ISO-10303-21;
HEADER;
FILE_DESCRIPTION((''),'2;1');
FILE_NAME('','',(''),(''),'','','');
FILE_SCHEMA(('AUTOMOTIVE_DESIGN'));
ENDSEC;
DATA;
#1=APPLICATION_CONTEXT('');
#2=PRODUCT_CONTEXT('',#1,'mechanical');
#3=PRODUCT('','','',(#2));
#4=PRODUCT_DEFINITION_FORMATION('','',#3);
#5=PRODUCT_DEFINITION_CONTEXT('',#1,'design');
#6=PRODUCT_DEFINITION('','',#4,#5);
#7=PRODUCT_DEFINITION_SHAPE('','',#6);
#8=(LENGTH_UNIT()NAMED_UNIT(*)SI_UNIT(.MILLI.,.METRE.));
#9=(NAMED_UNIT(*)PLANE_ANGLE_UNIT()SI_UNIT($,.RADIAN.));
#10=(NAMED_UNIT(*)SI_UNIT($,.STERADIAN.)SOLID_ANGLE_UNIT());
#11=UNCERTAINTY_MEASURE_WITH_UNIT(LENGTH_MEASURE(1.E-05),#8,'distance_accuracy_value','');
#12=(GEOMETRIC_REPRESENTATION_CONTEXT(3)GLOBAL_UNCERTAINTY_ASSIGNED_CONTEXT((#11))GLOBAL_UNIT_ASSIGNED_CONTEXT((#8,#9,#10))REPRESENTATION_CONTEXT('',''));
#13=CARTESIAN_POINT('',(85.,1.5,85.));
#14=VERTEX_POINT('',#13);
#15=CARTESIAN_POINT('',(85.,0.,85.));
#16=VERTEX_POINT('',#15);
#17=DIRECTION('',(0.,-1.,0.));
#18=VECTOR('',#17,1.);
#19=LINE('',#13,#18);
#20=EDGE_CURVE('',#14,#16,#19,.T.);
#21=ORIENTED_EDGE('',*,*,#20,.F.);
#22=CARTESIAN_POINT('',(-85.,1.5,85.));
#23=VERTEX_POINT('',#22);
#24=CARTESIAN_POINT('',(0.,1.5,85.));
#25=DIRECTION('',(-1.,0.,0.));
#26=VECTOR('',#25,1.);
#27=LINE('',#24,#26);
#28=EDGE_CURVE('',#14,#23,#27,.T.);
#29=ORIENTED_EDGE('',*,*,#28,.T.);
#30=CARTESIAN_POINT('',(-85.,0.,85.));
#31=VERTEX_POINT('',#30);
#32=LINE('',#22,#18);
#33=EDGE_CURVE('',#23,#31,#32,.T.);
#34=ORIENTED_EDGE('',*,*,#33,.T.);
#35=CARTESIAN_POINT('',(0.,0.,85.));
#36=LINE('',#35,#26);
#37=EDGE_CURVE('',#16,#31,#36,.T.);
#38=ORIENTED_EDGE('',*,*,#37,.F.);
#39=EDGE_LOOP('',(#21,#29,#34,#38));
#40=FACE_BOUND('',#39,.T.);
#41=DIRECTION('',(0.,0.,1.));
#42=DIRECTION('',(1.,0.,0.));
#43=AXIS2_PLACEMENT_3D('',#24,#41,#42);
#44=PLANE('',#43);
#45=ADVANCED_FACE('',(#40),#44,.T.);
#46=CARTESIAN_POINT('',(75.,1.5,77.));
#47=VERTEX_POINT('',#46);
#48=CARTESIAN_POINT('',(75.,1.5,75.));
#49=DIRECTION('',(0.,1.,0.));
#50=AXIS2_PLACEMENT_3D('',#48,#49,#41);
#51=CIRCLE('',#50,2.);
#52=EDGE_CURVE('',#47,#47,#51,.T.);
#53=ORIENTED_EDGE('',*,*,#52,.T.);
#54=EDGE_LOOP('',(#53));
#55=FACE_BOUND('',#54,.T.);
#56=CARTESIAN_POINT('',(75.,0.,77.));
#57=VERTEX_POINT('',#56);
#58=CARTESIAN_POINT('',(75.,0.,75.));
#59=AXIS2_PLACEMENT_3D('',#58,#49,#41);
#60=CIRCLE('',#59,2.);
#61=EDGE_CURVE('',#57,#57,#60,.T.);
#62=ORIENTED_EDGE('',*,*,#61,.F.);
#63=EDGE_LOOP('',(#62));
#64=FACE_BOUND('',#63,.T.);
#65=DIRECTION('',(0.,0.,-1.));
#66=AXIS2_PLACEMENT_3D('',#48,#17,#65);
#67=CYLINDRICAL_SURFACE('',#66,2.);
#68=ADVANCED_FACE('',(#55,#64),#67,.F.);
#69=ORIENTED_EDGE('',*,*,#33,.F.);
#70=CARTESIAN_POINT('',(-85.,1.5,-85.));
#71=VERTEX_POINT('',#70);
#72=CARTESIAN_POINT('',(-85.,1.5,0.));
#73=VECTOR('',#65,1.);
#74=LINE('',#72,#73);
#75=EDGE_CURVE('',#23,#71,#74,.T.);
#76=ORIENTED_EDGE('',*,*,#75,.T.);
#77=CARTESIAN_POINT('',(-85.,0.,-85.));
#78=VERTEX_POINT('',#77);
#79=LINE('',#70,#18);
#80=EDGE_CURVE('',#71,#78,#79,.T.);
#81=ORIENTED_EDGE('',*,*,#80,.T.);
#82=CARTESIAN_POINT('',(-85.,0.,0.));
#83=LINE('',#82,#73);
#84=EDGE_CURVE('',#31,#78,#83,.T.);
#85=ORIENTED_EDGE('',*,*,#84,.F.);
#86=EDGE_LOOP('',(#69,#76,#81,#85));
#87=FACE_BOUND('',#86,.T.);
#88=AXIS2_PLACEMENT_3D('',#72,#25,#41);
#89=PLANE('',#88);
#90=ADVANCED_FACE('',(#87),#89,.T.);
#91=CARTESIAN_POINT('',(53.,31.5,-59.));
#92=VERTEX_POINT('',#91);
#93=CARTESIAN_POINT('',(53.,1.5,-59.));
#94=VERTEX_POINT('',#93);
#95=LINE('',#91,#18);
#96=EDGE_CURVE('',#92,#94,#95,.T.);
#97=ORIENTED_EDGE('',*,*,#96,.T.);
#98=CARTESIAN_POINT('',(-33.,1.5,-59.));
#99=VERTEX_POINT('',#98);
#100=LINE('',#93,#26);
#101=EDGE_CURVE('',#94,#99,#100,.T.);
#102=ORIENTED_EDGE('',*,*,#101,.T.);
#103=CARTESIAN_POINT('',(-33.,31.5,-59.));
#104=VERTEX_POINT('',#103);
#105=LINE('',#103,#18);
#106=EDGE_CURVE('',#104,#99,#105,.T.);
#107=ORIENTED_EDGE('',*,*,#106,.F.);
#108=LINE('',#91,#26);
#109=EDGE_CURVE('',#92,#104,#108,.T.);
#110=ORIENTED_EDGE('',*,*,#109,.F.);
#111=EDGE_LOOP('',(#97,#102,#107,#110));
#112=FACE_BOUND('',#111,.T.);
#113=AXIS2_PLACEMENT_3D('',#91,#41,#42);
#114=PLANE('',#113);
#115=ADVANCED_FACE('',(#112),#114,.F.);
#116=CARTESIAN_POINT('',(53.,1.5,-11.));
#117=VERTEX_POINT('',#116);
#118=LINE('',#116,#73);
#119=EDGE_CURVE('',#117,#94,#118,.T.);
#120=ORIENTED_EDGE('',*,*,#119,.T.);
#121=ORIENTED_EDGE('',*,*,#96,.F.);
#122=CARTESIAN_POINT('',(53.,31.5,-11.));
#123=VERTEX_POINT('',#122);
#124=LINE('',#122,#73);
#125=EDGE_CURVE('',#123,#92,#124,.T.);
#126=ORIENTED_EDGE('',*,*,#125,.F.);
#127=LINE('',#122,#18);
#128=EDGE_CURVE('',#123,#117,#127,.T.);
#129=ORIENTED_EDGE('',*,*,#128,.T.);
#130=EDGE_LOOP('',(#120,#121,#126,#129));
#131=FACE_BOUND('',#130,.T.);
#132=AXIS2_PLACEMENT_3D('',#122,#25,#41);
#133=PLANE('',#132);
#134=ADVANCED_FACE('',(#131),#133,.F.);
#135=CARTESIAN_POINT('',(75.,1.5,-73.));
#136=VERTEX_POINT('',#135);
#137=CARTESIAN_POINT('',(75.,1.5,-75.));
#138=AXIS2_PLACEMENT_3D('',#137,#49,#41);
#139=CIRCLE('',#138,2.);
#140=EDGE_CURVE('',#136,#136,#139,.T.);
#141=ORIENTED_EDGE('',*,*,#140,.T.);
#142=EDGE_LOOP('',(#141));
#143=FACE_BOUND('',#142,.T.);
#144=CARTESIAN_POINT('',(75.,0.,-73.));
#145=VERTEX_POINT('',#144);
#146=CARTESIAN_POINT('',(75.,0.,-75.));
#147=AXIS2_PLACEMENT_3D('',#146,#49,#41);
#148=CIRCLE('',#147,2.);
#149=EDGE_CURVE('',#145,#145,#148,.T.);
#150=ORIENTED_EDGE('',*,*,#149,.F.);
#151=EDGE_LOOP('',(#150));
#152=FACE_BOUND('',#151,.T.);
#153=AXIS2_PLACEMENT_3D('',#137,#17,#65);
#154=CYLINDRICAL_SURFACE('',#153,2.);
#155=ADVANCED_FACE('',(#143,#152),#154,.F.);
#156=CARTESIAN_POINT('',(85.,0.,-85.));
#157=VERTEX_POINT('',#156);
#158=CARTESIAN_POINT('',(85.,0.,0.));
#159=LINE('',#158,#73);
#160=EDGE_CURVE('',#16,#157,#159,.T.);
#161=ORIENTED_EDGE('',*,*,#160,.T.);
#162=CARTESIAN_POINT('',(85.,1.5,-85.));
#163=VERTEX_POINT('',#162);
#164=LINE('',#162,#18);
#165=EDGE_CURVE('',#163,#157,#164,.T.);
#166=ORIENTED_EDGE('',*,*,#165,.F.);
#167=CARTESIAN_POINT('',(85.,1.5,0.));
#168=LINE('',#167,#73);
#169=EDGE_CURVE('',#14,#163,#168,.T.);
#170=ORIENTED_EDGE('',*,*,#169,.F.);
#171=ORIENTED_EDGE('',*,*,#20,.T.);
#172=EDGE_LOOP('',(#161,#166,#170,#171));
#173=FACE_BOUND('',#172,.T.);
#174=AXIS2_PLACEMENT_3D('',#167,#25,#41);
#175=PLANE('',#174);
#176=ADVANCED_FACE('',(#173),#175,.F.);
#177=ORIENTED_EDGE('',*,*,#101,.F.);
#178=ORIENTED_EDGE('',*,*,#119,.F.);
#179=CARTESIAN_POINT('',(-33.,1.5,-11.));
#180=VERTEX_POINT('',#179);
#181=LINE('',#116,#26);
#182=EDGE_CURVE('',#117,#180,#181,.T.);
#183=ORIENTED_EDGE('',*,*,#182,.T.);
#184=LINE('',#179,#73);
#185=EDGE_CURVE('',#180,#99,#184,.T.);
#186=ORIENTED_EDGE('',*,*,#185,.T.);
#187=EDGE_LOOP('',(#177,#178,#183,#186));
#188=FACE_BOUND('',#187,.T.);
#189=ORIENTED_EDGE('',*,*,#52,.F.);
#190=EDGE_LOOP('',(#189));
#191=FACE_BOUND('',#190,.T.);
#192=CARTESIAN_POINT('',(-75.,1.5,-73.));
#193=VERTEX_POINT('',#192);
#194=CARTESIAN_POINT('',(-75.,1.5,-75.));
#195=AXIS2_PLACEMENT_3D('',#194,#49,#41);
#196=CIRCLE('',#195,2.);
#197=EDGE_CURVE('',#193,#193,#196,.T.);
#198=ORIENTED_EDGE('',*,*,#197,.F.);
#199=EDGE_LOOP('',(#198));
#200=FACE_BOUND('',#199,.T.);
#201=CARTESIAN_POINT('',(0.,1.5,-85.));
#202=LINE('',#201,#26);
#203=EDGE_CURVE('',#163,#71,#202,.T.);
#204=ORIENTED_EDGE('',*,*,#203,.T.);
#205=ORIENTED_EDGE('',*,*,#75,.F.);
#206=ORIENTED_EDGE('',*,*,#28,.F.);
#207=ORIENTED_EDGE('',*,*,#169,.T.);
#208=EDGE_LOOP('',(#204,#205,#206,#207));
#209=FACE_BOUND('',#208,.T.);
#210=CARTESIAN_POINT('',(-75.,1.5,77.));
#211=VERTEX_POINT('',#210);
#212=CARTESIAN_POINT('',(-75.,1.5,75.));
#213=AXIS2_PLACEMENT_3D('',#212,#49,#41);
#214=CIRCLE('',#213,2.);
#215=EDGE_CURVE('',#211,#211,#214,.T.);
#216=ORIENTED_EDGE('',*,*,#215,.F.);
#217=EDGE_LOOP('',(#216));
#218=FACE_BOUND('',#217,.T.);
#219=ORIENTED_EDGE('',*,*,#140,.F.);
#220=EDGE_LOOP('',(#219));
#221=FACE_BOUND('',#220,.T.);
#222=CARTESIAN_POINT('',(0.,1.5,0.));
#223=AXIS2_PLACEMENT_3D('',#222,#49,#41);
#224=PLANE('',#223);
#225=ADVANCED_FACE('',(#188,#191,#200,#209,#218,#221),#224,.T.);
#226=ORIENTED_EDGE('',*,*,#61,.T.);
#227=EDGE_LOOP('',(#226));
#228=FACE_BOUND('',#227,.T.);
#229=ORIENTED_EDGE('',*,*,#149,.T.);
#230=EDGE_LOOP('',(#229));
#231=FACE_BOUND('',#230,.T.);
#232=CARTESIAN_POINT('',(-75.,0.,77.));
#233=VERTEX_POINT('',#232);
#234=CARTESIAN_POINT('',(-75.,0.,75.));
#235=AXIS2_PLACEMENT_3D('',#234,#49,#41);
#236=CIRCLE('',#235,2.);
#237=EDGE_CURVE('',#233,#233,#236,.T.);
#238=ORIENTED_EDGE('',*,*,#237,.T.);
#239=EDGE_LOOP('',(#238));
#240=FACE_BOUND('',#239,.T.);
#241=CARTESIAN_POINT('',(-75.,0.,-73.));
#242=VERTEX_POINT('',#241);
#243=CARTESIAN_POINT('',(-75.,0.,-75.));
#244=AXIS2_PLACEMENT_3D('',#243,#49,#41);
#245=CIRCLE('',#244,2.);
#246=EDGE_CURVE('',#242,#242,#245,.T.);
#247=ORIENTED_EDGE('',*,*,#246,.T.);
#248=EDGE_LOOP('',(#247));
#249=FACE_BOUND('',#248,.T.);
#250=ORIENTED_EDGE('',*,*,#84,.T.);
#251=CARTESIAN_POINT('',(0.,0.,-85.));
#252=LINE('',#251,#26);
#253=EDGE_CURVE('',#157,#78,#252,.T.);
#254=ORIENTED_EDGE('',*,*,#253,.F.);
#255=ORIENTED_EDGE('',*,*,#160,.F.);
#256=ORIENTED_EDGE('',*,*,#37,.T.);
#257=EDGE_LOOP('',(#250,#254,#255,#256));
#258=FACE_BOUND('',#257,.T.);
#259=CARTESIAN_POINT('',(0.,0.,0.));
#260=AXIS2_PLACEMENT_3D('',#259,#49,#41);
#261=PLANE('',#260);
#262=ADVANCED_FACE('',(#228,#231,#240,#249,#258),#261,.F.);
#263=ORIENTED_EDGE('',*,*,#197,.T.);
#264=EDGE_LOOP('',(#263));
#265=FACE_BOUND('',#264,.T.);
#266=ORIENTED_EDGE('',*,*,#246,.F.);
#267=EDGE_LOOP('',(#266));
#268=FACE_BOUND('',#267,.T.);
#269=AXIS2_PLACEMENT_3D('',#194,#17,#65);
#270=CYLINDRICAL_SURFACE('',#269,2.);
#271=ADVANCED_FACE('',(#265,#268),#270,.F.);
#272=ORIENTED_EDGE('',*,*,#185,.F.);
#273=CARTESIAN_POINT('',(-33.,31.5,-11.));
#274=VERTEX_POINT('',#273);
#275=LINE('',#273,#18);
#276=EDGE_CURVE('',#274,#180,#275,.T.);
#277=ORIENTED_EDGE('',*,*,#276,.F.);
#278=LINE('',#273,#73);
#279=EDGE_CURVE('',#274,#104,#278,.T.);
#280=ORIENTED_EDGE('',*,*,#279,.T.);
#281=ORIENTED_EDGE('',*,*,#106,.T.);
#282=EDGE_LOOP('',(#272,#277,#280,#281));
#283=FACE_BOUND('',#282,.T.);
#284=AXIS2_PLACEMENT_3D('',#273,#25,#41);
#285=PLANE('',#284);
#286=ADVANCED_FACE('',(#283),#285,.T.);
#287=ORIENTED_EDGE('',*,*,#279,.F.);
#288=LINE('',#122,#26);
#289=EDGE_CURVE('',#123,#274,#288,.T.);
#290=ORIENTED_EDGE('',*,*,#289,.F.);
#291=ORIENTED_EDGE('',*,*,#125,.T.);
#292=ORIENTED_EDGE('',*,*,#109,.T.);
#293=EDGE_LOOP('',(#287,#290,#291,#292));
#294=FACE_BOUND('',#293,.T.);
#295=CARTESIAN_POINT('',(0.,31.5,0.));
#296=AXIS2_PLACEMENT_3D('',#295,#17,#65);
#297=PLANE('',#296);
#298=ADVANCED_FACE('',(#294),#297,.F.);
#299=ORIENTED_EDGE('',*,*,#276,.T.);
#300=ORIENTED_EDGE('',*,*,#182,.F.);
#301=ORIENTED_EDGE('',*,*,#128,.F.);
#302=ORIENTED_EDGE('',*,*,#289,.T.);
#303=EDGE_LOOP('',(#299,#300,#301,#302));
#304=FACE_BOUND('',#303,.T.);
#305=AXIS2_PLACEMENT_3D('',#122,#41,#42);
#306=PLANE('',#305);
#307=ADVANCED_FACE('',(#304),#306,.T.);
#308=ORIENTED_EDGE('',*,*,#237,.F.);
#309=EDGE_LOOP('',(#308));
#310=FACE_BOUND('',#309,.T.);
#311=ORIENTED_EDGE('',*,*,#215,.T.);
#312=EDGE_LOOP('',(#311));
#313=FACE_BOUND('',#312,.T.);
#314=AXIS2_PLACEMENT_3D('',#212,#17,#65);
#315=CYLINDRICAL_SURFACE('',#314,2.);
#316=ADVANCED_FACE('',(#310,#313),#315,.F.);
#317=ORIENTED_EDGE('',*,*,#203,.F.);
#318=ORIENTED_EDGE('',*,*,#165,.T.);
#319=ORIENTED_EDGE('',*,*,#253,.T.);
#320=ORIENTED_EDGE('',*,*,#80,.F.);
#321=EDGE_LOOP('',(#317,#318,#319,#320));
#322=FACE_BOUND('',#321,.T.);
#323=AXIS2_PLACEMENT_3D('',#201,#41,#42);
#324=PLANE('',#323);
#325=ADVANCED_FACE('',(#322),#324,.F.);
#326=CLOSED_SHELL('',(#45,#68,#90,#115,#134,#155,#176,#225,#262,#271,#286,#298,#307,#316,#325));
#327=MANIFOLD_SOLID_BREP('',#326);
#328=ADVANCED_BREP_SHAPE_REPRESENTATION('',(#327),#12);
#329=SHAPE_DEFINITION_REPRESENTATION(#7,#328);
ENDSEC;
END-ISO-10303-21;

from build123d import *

# Parameters (mm, degrees)
SKETCH1_W           = 170
SKETCH1_H           = 170
SKETCH1_R           = 2
BOSS_EXTRUDE1_DEPTH = 1.5
SKETCH2_W           = 86
SKETCH2_H           = 48
BOSS_EXTRUDE2_DEPTH = 30


with BuildPart() as part:
    # Sketch1 → Boss-Extrude1 (new body)
    with BuildSketch(Plane(origin=(0, 0, 0), x_dir=(1, 0, 0), z_dir=(0, 1, 0))):
        Rectangle(SKETCH1_W, SKETCH1_H)
        with Locations((-75, -75)):
            Circle(SKETCH1_R, mode=Mode.SUBTRACT)
        with Locations((75, -75)):
            Circle(SKETCH1_R, mode=Mode.SUBTRACT)
        with Locations((75, 75)):
            Circle(SKETCH1_R, mode=Mode.SUBTRACT)
        with Locations((-75, 75)):
            Circle(SKETCH1_R, mode=Mode.SUBTRACT)
    extrude(amount=BOSS_EXTRUDE1_DEPTH)

    # Sketch2 → Boss-Extrude2 (add)
    with BuildSketch(Plane(origin=(0, 1.5, 0), x_dir=(1, 0, 0), z_dir=(0, 1, 0))):
        with Locations((10, 35)):
            Rectangle(SKETCH2_W, SKETCH2_H)
    extrude(amount=BOSS_EXTRUDE2_DEPTH)


solid = part.part
